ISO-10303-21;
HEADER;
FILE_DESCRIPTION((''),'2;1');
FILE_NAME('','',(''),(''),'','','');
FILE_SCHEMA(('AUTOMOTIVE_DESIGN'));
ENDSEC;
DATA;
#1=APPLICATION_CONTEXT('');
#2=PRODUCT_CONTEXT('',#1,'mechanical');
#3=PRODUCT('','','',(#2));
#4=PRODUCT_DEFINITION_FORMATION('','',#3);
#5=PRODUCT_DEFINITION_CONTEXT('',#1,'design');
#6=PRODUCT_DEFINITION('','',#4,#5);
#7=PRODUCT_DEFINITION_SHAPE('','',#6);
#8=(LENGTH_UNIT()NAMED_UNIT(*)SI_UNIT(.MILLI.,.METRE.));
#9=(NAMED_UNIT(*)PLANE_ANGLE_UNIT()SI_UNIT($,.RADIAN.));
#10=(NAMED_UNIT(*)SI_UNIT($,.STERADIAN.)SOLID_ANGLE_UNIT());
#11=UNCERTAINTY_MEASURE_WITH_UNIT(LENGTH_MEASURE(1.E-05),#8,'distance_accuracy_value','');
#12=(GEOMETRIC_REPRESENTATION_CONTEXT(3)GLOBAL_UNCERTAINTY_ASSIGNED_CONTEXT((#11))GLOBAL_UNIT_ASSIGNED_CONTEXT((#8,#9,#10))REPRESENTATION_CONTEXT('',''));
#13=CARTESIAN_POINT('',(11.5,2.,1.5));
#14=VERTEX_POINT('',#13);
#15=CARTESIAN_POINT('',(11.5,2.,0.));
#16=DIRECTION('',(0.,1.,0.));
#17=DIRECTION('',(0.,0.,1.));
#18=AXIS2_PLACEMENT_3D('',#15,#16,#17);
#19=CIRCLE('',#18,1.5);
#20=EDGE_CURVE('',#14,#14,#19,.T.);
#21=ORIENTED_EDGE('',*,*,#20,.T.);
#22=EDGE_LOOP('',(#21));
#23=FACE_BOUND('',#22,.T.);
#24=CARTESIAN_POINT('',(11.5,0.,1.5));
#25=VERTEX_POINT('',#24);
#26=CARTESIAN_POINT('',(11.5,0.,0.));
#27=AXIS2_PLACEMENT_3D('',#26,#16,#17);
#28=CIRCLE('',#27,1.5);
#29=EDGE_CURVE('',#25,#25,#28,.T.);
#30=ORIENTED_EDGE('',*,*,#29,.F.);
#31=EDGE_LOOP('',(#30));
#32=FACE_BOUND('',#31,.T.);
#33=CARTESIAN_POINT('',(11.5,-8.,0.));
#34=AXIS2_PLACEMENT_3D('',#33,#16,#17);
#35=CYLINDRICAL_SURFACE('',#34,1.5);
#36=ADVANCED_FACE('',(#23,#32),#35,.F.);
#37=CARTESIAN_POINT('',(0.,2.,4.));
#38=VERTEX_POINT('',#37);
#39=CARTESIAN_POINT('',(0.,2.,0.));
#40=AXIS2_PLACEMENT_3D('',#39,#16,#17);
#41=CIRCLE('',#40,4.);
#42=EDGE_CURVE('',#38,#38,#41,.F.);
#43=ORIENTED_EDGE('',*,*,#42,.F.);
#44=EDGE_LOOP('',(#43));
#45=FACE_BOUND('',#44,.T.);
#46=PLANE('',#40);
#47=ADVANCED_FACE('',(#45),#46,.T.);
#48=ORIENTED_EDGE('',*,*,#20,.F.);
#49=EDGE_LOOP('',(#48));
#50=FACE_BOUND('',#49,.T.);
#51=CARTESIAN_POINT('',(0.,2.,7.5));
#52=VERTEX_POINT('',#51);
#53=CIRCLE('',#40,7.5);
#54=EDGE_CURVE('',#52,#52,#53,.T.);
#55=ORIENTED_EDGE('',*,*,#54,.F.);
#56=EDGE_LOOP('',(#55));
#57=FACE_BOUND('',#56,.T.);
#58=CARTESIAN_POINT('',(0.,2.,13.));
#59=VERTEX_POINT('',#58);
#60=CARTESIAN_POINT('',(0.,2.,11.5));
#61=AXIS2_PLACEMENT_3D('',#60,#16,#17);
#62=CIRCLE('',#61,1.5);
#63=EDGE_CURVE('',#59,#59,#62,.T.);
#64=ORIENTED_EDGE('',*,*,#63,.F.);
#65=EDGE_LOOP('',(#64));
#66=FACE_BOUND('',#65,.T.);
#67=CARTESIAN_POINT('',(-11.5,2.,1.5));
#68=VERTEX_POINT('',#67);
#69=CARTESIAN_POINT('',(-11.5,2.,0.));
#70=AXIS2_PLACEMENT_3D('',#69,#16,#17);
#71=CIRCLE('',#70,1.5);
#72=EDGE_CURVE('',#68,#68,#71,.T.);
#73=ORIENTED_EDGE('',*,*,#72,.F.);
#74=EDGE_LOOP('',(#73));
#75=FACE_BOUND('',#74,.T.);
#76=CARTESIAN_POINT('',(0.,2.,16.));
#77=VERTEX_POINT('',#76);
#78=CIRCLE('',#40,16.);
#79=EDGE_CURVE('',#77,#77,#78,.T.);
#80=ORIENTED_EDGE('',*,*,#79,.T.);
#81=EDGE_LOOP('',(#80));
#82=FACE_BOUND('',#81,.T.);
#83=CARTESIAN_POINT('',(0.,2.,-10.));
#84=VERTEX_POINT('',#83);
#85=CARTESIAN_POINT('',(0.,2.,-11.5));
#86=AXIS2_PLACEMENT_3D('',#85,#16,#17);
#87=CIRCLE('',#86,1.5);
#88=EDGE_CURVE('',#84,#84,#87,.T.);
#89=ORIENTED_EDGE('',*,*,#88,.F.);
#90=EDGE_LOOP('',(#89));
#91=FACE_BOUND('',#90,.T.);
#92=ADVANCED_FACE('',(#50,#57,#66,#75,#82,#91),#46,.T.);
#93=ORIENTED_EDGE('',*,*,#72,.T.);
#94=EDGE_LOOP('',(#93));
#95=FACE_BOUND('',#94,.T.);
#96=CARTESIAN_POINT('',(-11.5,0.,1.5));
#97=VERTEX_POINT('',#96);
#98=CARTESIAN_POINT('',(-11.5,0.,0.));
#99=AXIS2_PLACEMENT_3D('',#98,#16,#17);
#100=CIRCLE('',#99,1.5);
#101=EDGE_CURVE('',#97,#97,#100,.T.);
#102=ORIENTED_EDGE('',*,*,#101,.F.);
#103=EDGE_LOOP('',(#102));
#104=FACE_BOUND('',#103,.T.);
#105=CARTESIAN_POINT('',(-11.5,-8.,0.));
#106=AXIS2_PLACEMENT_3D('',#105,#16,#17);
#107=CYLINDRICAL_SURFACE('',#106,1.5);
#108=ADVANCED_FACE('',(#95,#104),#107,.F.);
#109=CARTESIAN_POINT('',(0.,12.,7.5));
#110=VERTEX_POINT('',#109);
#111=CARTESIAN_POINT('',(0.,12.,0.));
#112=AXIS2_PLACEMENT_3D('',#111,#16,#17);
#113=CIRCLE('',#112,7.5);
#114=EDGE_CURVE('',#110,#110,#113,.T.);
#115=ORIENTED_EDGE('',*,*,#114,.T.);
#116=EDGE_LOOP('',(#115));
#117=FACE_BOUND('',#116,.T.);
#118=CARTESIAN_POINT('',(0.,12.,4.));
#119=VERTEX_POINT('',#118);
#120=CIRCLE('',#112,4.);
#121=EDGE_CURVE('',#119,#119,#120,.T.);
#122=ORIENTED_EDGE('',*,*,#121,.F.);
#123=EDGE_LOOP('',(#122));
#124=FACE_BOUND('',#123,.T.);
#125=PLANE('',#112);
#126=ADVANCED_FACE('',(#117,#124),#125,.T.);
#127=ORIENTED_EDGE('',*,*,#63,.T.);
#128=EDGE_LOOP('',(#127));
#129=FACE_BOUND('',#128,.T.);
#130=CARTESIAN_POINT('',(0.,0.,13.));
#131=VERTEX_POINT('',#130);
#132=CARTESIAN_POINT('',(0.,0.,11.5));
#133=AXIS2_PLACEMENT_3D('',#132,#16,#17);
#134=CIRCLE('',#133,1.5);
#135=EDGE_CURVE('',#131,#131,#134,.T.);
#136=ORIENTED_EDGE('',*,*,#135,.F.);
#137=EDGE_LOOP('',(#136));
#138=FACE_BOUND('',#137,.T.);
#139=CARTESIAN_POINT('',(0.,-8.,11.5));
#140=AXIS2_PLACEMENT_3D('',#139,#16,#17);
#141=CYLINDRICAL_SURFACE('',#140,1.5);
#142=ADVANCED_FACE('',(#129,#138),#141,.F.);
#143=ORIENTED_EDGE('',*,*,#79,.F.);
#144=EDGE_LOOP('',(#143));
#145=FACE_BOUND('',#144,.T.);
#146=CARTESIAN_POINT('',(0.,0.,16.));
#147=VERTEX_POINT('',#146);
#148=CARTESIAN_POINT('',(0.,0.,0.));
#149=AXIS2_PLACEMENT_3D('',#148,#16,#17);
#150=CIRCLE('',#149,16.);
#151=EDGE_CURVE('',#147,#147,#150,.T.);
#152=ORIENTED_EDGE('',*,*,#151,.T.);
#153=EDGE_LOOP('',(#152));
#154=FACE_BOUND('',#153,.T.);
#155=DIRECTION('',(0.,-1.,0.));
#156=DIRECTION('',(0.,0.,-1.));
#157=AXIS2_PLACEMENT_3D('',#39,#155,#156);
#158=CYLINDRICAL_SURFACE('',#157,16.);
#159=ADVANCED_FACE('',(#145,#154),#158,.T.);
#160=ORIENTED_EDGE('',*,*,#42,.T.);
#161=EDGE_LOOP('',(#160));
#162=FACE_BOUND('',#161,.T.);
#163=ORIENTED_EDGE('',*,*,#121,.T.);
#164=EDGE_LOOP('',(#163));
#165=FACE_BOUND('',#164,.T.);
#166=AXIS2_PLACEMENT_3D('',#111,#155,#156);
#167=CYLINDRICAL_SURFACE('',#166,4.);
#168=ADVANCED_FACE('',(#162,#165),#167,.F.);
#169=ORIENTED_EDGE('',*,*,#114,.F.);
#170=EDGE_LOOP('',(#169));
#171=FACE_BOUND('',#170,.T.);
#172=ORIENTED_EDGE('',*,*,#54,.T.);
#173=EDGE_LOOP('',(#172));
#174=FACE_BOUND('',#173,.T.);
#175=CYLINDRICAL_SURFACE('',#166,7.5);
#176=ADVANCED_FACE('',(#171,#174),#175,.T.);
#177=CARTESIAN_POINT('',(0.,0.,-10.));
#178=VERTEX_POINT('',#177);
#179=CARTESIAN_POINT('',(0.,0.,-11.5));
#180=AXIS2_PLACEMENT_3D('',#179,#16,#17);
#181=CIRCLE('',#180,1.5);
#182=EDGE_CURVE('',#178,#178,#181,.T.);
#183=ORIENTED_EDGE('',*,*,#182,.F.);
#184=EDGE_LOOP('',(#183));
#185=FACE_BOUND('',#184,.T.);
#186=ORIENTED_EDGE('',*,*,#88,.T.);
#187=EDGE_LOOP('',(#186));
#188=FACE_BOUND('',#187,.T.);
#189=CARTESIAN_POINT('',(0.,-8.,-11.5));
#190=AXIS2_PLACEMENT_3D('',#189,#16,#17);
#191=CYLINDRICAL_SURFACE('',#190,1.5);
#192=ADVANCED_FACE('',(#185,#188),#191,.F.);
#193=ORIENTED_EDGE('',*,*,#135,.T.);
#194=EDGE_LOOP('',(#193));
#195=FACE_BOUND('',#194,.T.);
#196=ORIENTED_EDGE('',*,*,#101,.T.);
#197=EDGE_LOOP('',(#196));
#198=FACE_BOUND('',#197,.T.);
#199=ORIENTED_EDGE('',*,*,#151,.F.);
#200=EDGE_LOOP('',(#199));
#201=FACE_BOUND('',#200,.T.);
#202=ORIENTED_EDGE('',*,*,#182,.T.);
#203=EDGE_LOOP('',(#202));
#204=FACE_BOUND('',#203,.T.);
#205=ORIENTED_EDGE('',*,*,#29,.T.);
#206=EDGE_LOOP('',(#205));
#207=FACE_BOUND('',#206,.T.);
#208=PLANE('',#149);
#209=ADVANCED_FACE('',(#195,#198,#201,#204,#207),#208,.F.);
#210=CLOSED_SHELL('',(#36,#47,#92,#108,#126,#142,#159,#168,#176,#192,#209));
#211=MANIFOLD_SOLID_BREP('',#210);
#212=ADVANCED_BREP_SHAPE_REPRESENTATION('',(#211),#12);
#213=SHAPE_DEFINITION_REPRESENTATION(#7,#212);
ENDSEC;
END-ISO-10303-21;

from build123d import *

# Parameters (mm, degrees)
SKETCH_1_R          = 16
EXTRUDE_1_DEPTH     = 2
SKETCH_2_R          = 7.5
SKETCH_2_R_2        = 4
EXTRUDE_2_DEPTH     = 10
SKETCH_3_R          = 1.5
CUT_EXTRUDE_1_DEPTH = 10


with BuildPart() as part:
    # 草图1 → 凸台-拉伸1 (new body)
    with BuildSketch(Plane(origin=(0, 0, 0), x_dir=(1, 0, 0), z_dir=(0, 1, 0))):
        with Locations(Location((0, 0, 0), (0, 0, 270))):
            Circle(SKETCH_1_R)
    extrude(amount=EXTRUDE_1_DEPTH)

    # 草图2 → 凸台-拉伸2 (add)
    with BuildSketch(Plane(origin=(0, 2, 0), x_dir=(1, 0, 0), z_dir=(0, 1, 0))):
        with Locations(Location((0, 0, 0), (0, 0, 270))):
            Circle(SKETCH_2_R)
        with Locations(Location((0, 0, 0), (0, 0, 270))):
            Circle(SKETCH_2_R_2, mode=Mode.SUBTRACT)
    extrude(amount=EXTRUDE_2_DEPTH)

    # 草图3 → 切除-拉伸1 (cut)
    with BuildSketch(Plane(origin=(0, 2, 0), x_dir=(1, 0, 0), z_dir=(0, 1, 0))):
        with Locations(Location((-11.5, 0, 0), (0, 0, 270))):
            Circle(SKETCH_3_R)
        with Locations(Location((0, 11.5, 0), (0, 0, 270))):
            Circle(SKETCH_3_R)
        with Locations(Location((11.5, 0, 0), (0, 0, 270))):
            Circle(SKETCH_3_R)
        with Locations(Location((0, -11.5, 0), (0, 0, 270))):
            Circle(SKETCH_3_R)
    extrude(amount=-CUT_EXTRUDE_1_DEPTH, mode=Mode.SUBTRACT)


solid = part.part
